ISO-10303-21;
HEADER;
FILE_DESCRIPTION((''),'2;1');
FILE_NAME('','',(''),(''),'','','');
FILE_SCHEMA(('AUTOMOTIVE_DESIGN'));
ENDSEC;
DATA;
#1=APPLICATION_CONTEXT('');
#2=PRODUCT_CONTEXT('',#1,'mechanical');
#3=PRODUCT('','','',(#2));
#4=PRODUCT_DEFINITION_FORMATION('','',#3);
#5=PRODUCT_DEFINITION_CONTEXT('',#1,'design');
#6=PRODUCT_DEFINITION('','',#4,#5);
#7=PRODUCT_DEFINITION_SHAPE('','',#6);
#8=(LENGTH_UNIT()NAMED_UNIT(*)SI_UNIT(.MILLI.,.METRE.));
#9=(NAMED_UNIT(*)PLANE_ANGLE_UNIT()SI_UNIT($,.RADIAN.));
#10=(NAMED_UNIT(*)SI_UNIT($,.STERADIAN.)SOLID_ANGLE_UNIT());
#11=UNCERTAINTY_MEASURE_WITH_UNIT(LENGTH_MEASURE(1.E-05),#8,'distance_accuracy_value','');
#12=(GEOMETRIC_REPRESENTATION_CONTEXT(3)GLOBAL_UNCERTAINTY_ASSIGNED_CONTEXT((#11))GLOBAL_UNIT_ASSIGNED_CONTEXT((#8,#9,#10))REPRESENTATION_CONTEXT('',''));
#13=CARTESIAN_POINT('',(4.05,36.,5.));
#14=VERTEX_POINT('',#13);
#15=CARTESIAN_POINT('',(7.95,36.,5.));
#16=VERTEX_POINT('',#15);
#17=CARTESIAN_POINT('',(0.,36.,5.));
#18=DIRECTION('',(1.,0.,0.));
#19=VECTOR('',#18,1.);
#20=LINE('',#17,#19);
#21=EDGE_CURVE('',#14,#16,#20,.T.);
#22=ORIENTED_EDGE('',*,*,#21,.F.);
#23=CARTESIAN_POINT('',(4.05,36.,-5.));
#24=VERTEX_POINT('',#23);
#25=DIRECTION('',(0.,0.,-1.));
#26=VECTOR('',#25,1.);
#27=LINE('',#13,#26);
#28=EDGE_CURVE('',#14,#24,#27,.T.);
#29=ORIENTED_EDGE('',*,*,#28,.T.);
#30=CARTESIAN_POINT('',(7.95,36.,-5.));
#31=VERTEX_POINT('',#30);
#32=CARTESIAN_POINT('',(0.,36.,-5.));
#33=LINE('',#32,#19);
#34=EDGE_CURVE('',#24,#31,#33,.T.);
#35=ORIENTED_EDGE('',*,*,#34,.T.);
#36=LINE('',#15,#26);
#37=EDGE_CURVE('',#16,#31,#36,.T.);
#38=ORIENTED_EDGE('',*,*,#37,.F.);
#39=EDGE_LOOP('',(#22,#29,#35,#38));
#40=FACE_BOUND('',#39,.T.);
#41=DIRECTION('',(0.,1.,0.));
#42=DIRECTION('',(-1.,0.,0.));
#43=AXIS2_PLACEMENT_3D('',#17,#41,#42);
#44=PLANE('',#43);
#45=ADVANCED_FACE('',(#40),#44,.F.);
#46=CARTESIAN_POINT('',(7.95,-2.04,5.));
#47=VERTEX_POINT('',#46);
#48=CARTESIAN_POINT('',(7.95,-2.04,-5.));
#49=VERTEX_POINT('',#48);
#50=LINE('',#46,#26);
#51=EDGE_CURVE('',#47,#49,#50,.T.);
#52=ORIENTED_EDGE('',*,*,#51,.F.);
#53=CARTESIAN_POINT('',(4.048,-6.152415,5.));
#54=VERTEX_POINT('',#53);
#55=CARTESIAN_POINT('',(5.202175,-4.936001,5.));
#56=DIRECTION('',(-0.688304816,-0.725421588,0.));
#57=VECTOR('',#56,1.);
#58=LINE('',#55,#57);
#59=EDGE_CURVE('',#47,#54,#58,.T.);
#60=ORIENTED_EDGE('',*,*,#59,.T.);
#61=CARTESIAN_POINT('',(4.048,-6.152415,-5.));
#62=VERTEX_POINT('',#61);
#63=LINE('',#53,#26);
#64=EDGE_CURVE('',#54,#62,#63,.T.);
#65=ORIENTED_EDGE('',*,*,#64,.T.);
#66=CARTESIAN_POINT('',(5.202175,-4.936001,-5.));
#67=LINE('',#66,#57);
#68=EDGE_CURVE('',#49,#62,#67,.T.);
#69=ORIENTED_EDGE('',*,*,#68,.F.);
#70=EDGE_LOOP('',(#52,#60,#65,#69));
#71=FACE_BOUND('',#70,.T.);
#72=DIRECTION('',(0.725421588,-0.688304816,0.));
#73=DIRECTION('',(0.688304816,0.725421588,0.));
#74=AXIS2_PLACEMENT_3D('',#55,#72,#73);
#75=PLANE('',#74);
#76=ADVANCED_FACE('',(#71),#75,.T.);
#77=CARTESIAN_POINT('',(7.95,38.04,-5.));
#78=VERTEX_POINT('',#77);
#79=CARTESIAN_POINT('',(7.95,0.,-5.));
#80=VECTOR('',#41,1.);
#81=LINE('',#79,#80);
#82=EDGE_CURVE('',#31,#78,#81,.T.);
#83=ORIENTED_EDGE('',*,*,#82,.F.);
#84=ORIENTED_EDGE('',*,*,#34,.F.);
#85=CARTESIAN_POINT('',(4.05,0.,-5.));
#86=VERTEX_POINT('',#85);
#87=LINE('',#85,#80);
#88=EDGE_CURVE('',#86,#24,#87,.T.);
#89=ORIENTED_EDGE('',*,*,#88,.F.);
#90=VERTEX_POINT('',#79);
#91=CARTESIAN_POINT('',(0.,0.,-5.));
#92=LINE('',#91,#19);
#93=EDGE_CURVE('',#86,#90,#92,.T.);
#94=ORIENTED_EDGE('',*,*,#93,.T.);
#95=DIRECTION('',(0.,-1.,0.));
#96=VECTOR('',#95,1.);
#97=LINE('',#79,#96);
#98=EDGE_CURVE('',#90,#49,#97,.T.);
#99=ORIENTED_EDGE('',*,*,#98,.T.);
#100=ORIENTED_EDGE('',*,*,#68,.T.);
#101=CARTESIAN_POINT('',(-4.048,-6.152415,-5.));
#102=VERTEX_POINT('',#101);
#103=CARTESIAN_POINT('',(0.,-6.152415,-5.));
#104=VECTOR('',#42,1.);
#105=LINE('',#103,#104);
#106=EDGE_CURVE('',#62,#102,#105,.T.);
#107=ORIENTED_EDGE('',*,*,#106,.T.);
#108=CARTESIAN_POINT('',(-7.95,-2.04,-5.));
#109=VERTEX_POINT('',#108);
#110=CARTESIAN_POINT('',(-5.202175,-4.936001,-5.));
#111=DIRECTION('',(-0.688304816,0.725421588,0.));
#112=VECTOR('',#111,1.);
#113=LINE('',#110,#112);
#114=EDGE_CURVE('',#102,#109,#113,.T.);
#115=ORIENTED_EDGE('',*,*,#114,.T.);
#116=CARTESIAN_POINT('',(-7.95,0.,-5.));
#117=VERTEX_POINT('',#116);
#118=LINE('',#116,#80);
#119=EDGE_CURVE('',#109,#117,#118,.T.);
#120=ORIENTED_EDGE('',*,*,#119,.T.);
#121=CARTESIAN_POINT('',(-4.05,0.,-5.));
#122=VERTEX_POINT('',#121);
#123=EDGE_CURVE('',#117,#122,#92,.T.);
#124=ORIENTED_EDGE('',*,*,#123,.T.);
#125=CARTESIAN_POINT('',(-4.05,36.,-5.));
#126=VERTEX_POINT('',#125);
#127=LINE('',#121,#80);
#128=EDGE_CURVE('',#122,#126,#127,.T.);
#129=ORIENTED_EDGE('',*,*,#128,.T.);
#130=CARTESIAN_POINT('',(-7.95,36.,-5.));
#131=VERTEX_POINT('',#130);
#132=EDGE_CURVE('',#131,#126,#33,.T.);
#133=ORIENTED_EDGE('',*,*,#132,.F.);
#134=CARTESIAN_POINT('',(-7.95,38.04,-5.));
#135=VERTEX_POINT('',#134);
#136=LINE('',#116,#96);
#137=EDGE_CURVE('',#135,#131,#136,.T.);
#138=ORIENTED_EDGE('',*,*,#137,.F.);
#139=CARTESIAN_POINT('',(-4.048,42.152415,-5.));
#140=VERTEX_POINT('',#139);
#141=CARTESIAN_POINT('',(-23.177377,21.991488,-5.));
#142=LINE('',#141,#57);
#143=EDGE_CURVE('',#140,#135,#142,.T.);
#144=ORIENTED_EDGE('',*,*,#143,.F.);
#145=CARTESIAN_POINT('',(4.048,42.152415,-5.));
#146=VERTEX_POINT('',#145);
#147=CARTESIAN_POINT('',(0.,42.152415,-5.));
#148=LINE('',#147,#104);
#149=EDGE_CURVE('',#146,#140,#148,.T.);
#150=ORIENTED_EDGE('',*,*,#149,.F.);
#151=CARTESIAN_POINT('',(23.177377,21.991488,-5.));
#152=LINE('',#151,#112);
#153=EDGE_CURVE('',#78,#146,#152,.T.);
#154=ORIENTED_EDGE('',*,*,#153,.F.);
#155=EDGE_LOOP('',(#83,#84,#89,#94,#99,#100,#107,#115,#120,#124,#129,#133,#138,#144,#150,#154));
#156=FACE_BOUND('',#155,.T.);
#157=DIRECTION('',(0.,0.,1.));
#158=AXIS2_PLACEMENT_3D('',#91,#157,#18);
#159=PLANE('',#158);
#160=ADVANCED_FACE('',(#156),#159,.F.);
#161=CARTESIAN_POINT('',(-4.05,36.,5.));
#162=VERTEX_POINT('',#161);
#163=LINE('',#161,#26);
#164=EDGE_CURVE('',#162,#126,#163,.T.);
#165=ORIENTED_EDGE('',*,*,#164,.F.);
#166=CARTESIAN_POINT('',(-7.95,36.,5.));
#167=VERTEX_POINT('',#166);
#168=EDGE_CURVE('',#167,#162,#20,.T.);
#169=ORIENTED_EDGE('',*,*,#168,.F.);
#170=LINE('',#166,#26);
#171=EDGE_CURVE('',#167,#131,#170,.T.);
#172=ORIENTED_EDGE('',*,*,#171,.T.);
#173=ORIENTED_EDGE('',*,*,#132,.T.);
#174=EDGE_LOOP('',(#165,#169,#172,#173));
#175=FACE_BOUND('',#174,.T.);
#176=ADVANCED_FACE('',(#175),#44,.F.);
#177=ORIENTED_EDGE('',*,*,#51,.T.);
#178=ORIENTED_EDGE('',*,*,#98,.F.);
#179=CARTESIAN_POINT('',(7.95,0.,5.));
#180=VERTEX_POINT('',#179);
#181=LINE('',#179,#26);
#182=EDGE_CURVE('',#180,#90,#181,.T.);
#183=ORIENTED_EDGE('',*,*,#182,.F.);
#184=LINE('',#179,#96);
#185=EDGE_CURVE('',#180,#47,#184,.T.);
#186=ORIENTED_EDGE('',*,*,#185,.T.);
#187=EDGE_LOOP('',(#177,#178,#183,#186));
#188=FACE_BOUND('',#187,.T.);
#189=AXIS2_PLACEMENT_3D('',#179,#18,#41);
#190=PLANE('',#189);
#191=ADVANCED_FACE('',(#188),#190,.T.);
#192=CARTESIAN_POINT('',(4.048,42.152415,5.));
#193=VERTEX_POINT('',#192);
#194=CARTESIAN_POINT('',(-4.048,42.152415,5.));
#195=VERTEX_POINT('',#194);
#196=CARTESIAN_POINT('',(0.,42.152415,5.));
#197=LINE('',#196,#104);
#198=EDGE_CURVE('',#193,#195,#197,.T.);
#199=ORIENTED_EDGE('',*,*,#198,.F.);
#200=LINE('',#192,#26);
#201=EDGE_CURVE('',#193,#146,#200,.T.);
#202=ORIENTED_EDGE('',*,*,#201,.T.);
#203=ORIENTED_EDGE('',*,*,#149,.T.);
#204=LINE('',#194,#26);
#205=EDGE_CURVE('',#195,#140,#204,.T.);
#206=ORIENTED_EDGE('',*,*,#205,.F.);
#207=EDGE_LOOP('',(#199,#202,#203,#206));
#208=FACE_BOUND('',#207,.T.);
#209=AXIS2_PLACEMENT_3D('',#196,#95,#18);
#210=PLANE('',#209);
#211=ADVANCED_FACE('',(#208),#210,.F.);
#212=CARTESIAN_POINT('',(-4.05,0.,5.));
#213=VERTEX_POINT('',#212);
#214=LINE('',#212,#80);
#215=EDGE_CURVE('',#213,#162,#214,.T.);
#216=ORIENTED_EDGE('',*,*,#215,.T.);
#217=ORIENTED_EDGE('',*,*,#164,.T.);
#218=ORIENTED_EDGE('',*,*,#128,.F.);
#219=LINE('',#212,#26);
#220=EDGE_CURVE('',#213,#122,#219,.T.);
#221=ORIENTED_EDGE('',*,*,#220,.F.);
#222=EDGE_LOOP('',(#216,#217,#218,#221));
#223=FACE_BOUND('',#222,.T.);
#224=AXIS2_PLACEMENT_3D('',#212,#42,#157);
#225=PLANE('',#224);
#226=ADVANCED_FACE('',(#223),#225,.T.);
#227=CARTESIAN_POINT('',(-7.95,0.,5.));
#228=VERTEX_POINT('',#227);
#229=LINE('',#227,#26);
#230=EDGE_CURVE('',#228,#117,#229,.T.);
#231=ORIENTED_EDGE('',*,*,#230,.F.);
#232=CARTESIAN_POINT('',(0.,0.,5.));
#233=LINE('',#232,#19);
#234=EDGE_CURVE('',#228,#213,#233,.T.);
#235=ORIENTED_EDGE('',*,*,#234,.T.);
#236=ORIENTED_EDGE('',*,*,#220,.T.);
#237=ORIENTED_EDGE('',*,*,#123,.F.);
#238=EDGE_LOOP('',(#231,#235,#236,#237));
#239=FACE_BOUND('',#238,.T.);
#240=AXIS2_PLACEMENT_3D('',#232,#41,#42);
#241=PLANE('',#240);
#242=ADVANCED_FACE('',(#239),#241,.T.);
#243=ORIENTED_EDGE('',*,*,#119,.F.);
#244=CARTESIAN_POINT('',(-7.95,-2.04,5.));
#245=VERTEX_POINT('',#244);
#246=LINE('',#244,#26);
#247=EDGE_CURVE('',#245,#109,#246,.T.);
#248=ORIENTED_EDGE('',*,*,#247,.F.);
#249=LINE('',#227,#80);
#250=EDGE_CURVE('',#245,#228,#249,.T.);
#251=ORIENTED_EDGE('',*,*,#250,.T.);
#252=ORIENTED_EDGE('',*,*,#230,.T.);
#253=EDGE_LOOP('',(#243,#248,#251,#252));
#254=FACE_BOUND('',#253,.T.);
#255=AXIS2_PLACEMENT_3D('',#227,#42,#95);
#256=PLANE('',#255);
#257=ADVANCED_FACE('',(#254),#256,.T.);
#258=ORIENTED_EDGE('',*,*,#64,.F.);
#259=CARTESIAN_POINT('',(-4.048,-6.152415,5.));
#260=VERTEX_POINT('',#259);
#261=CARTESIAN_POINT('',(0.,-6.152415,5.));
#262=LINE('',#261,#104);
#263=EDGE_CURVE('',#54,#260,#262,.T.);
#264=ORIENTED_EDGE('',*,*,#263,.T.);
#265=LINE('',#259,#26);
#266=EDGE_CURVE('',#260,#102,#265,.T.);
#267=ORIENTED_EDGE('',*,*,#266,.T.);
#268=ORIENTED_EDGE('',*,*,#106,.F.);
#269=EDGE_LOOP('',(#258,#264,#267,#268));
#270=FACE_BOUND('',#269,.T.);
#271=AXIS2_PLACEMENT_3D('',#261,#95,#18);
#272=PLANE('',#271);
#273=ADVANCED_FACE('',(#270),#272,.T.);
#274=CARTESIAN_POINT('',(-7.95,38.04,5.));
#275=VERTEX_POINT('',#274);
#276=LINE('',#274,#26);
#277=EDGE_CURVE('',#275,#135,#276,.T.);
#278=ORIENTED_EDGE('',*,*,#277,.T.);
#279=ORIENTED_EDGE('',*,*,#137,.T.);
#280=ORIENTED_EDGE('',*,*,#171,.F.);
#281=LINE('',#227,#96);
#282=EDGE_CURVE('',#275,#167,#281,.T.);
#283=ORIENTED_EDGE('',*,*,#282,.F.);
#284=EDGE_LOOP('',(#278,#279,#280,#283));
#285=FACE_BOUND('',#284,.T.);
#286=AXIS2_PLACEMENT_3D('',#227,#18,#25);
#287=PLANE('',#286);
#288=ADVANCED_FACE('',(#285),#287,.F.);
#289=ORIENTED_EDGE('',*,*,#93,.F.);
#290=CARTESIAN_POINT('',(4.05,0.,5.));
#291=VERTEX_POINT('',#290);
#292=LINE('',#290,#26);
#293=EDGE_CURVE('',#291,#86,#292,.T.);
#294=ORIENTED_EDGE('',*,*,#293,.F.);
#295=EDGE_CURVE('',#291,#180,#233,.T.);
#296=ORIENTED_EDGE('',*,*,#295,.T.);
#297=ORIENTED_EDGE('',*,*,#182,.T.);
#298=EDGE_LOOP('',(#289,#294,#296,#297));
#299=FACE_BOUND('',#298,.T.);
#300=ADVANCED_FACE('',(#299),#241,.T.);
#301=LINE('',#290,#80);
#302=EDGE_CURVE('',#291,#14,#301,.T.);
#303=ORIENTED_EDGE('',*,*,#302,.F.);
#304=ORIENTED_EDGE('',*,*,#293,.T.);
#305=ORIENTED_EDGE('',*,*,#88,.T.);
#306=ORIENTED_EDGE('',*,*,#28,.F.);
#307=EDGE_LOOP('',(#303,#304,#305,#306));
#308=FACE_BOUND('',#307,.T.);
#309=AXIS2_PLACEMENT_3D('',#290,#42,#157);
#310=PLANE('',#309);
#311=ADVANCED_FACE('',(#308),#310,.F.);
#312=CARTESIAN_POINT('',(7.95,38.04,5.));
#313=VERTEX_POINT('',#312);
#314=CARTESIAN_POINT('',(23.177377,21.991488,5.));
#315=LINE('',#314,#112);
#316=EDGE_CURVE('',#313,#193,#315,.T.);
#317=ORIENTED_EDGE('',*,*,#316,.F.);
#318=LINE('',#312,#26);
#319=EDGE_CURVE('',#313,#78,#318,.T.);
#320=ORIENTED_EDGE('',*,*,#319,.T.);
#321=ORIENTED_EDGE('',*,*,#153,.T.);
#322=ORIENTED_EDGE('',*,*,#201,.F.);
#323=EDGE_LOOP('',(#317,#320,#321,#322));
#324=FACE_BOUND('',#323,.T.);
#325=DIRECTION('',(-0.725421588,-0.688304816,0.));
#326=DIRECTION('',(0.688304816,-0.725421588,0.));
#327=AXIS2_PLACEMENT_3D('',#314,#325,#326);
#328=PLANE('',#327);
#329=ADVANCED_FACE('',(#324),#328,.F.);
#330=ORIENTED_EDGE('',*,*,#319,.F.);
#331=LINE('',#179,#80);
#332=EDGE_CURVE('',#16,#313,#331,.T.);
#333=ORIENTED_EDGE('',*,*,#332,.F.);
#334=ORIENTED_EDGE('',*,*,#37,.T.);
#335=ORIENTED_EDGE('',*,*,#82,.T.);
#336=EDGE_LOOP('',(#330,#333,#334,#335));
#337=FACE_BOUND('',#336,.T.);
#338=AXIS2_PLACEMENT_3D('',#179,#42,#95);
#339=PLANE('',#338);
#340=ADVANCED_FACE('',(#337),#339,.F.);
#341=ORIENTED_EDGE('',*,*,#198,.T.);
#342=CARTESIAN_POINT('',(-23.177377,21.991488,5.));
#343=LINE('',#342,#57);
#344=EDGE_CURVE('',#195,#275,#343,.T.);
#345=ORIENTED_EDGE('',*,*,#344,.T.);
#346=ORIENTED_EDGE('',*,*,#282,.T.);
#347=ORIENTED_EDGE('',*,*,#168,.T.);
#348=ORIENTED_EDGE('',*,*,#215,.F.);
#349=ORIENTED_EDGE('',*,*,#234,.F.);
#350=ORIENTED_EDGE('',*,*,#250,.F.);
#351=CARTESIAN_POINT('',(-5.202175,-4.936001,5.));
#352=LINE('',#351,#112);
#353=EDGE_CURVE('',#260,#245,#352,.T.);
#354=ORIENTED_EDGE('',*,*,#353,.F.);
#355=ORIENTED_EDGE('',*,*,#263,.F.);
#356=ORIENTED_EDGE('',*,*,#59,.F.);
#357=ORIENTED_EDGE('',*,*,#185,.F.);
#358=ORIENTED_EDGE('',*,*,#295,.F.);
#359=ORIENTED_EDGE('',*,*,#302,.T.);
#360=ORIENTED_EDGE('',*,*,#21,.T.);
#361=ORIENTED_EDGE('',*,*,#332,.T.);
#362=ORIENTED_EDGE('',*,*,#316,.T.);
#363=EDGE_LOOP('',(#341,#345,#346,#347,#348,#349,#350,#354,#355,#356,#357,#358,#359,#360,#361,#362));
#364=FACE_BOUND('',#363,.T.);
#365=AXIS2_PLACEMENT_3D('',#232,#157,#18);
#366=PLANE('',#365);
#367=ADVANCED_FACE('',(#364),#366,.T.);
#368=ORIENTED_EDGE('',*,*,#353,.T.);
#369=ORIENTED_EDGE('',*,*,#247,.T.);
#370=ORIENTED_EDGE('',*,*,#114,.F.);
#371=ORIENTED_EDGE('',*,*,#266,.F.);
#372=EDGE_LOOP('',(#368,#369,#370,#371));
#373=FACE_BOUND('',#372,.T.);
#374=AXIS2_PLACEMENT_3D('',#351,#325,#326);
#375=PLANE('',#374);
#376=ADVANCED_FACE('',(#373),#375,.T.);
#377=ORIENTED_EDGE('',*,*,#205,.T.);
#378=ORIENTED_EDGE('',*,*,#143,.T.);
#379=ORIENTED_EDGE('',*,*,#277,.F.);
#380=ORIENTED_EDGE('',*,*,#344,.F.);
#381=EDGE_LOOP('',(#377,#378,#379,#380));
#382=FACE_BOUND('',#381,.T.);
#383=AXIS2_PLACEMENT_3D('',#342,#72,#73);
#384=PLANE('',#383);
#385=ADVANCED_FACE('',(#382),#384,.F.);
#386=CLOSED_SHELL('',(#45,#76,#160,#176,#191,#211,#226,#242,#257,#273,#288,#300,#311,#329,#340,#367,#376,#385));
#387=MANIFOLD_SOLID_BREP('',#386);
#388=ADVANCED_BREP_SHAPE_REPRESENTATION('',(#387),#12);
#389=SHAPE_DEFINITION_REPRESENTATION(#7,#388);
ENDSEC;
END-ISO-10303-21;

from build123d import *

# Parameters (mm, degrees)
BOSS_EXTRUDE1_DEPTH = 5


with BuildPart() as part:
    # Sketch1 → Boss-Extrude1 (new body, symmetric)
    with BuildSketch(Plane.XY):
        Polygon((7.95, 0), (4.05, 0), (4.05, 36), (7.95, 36), (7.95, 38.04), (4.048, 42.152414984), (-4.048, 42.152414984), (-7.95, 38.04), (-7.95, 36), (-4.05, 36), (-4.05, 0), (-7.95, 0), (-7.95, -2.04), (-4.048, -6.152414984), (4.048, -6.152414984), (7.95, -2.04), align=None)
    extrude(amount=BOSS_EXTRUDE1_DEPTH, both=True)


solid = part.part
